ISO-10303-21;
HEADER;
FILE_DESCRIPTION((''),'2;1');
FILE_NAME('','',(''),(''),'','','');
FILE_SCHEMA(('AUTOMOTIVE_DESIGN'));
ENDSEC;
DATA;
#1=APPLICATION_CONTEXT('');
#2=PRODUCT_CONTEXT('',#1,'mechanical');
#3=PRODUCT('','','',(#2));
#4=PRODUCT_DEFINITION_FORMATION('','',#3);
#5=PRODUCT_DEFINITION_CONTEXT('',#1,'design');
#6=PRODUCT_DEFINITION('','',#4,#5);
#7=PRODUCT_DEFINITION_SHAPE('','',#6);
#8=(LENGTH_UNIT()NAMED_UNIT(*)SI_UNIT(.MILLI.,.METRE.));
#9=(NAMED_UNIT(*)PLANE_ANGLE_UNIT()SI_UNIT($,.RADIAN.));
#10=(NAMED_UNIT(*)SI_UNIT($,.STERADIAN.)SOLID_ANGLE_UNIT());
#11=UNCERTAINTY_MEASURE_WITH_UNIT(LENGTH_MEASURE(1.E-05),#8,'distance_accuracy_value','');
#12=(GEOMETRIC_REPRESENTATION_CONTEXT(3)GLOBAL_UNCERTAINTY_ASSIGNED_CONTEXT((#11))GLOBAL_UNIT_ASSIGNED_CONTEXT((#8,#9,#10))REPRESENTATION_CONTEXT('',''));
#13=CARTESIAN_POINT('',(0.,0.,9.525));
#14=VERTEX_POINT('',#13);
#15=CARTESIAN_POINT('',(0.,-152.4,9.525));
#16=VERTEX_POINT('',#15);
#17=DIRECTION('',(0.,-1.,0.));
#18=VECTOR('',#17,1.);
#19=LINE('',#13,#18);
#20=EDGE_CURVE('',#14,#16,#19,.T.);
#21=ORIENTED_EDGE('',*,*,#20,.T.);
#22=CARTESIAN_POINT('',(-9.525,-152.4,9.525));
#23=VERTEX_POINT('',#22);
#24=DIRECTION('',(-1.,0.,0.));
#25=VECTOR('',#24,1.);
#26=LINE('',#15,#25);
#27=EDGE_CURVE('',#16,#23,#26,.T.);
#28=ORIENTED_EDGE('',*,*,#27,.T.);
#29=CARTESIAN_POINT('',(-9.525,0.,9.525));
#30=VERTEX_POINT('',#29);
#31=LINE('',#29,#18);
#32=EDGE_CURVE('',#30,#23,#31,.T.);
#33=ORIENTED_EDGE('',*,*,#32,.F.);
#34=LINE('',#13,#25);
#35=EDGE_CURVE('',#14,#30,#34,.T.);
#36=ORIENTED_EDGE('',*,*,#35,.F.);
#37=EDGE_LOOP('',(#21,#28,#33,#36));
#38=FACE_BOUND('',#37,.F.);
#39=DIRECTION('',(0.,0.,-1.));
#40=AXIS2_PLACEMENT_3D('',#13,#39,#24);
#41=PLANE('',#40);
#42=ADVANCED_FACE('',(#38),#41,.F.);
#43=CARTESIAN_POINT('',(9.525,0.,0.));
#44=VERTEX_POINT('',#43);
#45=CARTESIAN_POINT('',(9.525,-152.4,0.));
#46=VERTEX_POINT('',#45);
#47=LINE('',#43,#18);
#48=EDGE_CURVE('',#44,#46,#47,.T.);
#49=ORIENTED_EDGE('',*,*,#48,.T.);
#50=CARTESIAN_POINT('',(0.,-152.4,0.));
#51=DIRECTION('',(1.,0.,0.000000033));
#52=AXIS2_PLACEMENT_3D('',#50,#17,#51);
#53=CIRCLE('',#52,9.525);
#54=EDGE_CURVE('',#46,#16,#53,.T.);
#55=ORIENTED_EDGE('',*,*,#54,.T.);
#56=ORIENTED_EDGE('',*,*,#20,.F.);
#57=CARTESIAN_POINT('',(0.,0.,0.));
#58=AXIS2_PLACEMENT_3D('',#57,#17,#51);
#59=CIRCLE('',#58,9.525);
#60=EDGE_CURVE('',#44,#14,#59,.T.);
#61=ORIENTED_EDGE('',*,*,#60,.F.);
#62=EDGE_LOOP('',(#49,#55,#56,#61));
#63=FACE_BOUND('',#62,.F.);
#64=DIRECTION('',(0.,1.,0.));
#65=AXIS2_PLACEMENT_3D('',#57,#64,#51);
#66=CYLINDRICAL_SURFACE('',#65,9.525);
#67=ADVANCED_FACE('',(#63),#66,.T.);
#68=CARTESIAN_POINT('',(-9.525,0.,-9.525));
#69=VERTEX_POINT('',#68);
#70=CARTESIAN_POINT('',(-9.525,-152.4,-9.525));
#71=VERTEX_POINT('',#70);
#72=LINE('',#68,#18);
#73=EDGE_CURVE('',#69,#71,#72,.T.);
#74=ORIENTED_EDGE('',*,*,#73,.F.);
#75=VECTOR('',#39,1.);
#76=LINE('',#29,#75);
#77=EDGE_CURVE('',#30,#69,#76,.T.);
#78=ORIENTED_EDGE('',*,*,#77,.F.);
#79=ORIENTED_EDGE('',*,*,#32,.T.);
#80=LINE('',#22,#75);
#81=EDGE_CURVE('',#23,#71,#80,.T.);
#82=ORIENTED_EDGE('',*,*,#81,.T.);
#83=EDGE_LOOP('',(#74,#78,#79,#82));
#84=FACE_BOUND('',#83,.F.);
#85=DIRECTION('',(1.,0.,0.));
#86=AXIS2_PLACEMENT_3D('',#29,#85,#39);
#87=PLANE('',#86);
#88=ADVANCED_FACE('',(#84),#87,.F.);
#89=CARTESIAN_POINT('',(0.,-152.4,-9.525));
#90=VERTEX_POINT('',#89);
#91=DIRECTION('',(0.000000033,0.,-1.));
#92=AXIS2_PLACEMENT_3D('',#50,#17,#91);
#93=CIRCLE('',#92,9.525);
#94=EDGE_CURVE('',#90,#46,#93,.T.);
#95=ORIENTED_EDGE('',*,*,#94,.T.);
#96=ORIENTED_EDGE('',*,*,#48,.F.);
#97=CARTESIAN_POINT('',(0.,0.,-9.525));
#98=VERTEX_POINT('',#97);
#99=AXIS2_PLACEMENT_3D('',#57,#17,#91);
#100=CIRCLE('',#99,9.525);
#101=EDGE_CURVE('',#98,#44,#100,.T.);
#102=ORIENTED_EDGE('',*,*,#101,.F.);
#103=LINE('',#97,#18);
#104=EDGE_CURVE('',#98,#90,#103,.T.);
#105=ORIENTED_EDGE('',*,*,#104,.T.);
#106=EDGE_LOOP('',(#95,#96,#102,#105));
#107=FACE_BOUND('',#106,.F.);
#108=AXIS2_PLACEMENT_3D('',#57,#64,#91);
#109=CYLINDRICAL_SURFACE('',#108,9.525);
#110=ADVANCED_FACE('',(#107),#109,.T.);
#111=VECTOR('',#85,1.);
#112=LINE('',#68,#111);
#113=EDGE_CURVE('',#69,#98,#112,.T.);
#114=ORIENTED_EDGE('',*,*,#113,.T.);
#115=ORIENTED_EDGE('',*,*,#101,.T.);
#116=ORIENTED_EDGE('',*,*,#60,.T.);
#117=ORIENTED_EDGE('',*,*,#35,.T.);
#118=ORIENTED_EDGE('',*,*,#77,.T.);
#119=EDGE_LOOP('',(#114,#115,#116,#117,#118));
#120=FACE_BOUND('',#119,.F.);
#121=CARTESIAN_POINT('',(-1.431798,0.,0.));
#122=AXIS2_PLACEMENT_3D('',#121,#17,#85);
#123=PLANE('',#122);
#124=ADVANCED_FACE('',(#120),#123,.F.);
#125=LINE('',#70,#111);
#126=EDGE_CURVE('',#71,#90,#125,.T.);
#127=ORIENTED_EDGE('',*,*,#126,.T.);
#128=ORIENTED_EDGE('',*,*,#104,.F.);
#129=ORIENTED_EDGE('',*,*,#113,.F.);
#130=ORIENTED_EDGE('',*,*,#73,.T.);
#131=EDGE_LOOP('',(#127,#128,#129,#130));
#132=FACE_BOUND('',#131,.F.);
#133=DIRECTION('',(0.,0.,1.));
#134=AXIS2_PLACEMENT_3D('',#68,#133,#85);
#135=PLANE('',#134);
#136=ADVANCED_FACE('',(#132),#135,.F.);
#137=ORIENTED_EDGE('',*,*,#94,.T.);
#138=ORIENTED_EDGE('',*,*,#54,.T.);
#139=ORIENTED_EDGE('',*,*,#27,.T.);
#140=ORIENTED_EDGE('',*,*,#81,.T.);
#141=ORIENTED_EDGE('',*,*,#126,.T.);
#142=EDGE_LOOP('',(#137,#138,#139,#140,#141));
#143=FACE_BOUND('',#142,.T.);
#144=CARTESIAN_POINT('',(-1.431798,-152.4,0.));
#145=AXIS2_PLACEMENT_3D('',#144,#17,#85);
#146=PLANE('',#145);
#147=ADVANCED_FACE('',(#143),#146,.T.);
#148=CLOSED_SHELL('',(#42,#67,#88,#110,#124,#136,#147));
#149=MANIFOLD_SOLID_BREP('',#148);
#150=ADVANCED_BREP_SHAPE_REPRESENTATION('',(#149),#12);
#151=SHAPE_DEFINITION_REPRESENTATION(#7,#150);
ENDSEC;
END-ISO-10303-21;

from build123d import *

# Parameters (mm, degrees)
F1_DEPTH = 152.4


with BuildPart() as f1:
    # F0 (on Front) → F1 (new body)
    with BuildSketch(Plane.XZ):
        with BuildLine():
            Line((0, 9.525), (-9.525, 9.525))
            Line((-9.525, 9.525), (-9.525, -9.525))
            Line((-9.525, -9.525), (0, -9.525))
            ThreePointArc((0, -9.525), (6.735192, -6.735192), (9.525, 0))
            ThreePointArc((9.525, 0), (6.735192, 6.735192), (0, 9.525))
        make_face()
    extrude(amount=F1_DEPTH)


solid = f1.part
